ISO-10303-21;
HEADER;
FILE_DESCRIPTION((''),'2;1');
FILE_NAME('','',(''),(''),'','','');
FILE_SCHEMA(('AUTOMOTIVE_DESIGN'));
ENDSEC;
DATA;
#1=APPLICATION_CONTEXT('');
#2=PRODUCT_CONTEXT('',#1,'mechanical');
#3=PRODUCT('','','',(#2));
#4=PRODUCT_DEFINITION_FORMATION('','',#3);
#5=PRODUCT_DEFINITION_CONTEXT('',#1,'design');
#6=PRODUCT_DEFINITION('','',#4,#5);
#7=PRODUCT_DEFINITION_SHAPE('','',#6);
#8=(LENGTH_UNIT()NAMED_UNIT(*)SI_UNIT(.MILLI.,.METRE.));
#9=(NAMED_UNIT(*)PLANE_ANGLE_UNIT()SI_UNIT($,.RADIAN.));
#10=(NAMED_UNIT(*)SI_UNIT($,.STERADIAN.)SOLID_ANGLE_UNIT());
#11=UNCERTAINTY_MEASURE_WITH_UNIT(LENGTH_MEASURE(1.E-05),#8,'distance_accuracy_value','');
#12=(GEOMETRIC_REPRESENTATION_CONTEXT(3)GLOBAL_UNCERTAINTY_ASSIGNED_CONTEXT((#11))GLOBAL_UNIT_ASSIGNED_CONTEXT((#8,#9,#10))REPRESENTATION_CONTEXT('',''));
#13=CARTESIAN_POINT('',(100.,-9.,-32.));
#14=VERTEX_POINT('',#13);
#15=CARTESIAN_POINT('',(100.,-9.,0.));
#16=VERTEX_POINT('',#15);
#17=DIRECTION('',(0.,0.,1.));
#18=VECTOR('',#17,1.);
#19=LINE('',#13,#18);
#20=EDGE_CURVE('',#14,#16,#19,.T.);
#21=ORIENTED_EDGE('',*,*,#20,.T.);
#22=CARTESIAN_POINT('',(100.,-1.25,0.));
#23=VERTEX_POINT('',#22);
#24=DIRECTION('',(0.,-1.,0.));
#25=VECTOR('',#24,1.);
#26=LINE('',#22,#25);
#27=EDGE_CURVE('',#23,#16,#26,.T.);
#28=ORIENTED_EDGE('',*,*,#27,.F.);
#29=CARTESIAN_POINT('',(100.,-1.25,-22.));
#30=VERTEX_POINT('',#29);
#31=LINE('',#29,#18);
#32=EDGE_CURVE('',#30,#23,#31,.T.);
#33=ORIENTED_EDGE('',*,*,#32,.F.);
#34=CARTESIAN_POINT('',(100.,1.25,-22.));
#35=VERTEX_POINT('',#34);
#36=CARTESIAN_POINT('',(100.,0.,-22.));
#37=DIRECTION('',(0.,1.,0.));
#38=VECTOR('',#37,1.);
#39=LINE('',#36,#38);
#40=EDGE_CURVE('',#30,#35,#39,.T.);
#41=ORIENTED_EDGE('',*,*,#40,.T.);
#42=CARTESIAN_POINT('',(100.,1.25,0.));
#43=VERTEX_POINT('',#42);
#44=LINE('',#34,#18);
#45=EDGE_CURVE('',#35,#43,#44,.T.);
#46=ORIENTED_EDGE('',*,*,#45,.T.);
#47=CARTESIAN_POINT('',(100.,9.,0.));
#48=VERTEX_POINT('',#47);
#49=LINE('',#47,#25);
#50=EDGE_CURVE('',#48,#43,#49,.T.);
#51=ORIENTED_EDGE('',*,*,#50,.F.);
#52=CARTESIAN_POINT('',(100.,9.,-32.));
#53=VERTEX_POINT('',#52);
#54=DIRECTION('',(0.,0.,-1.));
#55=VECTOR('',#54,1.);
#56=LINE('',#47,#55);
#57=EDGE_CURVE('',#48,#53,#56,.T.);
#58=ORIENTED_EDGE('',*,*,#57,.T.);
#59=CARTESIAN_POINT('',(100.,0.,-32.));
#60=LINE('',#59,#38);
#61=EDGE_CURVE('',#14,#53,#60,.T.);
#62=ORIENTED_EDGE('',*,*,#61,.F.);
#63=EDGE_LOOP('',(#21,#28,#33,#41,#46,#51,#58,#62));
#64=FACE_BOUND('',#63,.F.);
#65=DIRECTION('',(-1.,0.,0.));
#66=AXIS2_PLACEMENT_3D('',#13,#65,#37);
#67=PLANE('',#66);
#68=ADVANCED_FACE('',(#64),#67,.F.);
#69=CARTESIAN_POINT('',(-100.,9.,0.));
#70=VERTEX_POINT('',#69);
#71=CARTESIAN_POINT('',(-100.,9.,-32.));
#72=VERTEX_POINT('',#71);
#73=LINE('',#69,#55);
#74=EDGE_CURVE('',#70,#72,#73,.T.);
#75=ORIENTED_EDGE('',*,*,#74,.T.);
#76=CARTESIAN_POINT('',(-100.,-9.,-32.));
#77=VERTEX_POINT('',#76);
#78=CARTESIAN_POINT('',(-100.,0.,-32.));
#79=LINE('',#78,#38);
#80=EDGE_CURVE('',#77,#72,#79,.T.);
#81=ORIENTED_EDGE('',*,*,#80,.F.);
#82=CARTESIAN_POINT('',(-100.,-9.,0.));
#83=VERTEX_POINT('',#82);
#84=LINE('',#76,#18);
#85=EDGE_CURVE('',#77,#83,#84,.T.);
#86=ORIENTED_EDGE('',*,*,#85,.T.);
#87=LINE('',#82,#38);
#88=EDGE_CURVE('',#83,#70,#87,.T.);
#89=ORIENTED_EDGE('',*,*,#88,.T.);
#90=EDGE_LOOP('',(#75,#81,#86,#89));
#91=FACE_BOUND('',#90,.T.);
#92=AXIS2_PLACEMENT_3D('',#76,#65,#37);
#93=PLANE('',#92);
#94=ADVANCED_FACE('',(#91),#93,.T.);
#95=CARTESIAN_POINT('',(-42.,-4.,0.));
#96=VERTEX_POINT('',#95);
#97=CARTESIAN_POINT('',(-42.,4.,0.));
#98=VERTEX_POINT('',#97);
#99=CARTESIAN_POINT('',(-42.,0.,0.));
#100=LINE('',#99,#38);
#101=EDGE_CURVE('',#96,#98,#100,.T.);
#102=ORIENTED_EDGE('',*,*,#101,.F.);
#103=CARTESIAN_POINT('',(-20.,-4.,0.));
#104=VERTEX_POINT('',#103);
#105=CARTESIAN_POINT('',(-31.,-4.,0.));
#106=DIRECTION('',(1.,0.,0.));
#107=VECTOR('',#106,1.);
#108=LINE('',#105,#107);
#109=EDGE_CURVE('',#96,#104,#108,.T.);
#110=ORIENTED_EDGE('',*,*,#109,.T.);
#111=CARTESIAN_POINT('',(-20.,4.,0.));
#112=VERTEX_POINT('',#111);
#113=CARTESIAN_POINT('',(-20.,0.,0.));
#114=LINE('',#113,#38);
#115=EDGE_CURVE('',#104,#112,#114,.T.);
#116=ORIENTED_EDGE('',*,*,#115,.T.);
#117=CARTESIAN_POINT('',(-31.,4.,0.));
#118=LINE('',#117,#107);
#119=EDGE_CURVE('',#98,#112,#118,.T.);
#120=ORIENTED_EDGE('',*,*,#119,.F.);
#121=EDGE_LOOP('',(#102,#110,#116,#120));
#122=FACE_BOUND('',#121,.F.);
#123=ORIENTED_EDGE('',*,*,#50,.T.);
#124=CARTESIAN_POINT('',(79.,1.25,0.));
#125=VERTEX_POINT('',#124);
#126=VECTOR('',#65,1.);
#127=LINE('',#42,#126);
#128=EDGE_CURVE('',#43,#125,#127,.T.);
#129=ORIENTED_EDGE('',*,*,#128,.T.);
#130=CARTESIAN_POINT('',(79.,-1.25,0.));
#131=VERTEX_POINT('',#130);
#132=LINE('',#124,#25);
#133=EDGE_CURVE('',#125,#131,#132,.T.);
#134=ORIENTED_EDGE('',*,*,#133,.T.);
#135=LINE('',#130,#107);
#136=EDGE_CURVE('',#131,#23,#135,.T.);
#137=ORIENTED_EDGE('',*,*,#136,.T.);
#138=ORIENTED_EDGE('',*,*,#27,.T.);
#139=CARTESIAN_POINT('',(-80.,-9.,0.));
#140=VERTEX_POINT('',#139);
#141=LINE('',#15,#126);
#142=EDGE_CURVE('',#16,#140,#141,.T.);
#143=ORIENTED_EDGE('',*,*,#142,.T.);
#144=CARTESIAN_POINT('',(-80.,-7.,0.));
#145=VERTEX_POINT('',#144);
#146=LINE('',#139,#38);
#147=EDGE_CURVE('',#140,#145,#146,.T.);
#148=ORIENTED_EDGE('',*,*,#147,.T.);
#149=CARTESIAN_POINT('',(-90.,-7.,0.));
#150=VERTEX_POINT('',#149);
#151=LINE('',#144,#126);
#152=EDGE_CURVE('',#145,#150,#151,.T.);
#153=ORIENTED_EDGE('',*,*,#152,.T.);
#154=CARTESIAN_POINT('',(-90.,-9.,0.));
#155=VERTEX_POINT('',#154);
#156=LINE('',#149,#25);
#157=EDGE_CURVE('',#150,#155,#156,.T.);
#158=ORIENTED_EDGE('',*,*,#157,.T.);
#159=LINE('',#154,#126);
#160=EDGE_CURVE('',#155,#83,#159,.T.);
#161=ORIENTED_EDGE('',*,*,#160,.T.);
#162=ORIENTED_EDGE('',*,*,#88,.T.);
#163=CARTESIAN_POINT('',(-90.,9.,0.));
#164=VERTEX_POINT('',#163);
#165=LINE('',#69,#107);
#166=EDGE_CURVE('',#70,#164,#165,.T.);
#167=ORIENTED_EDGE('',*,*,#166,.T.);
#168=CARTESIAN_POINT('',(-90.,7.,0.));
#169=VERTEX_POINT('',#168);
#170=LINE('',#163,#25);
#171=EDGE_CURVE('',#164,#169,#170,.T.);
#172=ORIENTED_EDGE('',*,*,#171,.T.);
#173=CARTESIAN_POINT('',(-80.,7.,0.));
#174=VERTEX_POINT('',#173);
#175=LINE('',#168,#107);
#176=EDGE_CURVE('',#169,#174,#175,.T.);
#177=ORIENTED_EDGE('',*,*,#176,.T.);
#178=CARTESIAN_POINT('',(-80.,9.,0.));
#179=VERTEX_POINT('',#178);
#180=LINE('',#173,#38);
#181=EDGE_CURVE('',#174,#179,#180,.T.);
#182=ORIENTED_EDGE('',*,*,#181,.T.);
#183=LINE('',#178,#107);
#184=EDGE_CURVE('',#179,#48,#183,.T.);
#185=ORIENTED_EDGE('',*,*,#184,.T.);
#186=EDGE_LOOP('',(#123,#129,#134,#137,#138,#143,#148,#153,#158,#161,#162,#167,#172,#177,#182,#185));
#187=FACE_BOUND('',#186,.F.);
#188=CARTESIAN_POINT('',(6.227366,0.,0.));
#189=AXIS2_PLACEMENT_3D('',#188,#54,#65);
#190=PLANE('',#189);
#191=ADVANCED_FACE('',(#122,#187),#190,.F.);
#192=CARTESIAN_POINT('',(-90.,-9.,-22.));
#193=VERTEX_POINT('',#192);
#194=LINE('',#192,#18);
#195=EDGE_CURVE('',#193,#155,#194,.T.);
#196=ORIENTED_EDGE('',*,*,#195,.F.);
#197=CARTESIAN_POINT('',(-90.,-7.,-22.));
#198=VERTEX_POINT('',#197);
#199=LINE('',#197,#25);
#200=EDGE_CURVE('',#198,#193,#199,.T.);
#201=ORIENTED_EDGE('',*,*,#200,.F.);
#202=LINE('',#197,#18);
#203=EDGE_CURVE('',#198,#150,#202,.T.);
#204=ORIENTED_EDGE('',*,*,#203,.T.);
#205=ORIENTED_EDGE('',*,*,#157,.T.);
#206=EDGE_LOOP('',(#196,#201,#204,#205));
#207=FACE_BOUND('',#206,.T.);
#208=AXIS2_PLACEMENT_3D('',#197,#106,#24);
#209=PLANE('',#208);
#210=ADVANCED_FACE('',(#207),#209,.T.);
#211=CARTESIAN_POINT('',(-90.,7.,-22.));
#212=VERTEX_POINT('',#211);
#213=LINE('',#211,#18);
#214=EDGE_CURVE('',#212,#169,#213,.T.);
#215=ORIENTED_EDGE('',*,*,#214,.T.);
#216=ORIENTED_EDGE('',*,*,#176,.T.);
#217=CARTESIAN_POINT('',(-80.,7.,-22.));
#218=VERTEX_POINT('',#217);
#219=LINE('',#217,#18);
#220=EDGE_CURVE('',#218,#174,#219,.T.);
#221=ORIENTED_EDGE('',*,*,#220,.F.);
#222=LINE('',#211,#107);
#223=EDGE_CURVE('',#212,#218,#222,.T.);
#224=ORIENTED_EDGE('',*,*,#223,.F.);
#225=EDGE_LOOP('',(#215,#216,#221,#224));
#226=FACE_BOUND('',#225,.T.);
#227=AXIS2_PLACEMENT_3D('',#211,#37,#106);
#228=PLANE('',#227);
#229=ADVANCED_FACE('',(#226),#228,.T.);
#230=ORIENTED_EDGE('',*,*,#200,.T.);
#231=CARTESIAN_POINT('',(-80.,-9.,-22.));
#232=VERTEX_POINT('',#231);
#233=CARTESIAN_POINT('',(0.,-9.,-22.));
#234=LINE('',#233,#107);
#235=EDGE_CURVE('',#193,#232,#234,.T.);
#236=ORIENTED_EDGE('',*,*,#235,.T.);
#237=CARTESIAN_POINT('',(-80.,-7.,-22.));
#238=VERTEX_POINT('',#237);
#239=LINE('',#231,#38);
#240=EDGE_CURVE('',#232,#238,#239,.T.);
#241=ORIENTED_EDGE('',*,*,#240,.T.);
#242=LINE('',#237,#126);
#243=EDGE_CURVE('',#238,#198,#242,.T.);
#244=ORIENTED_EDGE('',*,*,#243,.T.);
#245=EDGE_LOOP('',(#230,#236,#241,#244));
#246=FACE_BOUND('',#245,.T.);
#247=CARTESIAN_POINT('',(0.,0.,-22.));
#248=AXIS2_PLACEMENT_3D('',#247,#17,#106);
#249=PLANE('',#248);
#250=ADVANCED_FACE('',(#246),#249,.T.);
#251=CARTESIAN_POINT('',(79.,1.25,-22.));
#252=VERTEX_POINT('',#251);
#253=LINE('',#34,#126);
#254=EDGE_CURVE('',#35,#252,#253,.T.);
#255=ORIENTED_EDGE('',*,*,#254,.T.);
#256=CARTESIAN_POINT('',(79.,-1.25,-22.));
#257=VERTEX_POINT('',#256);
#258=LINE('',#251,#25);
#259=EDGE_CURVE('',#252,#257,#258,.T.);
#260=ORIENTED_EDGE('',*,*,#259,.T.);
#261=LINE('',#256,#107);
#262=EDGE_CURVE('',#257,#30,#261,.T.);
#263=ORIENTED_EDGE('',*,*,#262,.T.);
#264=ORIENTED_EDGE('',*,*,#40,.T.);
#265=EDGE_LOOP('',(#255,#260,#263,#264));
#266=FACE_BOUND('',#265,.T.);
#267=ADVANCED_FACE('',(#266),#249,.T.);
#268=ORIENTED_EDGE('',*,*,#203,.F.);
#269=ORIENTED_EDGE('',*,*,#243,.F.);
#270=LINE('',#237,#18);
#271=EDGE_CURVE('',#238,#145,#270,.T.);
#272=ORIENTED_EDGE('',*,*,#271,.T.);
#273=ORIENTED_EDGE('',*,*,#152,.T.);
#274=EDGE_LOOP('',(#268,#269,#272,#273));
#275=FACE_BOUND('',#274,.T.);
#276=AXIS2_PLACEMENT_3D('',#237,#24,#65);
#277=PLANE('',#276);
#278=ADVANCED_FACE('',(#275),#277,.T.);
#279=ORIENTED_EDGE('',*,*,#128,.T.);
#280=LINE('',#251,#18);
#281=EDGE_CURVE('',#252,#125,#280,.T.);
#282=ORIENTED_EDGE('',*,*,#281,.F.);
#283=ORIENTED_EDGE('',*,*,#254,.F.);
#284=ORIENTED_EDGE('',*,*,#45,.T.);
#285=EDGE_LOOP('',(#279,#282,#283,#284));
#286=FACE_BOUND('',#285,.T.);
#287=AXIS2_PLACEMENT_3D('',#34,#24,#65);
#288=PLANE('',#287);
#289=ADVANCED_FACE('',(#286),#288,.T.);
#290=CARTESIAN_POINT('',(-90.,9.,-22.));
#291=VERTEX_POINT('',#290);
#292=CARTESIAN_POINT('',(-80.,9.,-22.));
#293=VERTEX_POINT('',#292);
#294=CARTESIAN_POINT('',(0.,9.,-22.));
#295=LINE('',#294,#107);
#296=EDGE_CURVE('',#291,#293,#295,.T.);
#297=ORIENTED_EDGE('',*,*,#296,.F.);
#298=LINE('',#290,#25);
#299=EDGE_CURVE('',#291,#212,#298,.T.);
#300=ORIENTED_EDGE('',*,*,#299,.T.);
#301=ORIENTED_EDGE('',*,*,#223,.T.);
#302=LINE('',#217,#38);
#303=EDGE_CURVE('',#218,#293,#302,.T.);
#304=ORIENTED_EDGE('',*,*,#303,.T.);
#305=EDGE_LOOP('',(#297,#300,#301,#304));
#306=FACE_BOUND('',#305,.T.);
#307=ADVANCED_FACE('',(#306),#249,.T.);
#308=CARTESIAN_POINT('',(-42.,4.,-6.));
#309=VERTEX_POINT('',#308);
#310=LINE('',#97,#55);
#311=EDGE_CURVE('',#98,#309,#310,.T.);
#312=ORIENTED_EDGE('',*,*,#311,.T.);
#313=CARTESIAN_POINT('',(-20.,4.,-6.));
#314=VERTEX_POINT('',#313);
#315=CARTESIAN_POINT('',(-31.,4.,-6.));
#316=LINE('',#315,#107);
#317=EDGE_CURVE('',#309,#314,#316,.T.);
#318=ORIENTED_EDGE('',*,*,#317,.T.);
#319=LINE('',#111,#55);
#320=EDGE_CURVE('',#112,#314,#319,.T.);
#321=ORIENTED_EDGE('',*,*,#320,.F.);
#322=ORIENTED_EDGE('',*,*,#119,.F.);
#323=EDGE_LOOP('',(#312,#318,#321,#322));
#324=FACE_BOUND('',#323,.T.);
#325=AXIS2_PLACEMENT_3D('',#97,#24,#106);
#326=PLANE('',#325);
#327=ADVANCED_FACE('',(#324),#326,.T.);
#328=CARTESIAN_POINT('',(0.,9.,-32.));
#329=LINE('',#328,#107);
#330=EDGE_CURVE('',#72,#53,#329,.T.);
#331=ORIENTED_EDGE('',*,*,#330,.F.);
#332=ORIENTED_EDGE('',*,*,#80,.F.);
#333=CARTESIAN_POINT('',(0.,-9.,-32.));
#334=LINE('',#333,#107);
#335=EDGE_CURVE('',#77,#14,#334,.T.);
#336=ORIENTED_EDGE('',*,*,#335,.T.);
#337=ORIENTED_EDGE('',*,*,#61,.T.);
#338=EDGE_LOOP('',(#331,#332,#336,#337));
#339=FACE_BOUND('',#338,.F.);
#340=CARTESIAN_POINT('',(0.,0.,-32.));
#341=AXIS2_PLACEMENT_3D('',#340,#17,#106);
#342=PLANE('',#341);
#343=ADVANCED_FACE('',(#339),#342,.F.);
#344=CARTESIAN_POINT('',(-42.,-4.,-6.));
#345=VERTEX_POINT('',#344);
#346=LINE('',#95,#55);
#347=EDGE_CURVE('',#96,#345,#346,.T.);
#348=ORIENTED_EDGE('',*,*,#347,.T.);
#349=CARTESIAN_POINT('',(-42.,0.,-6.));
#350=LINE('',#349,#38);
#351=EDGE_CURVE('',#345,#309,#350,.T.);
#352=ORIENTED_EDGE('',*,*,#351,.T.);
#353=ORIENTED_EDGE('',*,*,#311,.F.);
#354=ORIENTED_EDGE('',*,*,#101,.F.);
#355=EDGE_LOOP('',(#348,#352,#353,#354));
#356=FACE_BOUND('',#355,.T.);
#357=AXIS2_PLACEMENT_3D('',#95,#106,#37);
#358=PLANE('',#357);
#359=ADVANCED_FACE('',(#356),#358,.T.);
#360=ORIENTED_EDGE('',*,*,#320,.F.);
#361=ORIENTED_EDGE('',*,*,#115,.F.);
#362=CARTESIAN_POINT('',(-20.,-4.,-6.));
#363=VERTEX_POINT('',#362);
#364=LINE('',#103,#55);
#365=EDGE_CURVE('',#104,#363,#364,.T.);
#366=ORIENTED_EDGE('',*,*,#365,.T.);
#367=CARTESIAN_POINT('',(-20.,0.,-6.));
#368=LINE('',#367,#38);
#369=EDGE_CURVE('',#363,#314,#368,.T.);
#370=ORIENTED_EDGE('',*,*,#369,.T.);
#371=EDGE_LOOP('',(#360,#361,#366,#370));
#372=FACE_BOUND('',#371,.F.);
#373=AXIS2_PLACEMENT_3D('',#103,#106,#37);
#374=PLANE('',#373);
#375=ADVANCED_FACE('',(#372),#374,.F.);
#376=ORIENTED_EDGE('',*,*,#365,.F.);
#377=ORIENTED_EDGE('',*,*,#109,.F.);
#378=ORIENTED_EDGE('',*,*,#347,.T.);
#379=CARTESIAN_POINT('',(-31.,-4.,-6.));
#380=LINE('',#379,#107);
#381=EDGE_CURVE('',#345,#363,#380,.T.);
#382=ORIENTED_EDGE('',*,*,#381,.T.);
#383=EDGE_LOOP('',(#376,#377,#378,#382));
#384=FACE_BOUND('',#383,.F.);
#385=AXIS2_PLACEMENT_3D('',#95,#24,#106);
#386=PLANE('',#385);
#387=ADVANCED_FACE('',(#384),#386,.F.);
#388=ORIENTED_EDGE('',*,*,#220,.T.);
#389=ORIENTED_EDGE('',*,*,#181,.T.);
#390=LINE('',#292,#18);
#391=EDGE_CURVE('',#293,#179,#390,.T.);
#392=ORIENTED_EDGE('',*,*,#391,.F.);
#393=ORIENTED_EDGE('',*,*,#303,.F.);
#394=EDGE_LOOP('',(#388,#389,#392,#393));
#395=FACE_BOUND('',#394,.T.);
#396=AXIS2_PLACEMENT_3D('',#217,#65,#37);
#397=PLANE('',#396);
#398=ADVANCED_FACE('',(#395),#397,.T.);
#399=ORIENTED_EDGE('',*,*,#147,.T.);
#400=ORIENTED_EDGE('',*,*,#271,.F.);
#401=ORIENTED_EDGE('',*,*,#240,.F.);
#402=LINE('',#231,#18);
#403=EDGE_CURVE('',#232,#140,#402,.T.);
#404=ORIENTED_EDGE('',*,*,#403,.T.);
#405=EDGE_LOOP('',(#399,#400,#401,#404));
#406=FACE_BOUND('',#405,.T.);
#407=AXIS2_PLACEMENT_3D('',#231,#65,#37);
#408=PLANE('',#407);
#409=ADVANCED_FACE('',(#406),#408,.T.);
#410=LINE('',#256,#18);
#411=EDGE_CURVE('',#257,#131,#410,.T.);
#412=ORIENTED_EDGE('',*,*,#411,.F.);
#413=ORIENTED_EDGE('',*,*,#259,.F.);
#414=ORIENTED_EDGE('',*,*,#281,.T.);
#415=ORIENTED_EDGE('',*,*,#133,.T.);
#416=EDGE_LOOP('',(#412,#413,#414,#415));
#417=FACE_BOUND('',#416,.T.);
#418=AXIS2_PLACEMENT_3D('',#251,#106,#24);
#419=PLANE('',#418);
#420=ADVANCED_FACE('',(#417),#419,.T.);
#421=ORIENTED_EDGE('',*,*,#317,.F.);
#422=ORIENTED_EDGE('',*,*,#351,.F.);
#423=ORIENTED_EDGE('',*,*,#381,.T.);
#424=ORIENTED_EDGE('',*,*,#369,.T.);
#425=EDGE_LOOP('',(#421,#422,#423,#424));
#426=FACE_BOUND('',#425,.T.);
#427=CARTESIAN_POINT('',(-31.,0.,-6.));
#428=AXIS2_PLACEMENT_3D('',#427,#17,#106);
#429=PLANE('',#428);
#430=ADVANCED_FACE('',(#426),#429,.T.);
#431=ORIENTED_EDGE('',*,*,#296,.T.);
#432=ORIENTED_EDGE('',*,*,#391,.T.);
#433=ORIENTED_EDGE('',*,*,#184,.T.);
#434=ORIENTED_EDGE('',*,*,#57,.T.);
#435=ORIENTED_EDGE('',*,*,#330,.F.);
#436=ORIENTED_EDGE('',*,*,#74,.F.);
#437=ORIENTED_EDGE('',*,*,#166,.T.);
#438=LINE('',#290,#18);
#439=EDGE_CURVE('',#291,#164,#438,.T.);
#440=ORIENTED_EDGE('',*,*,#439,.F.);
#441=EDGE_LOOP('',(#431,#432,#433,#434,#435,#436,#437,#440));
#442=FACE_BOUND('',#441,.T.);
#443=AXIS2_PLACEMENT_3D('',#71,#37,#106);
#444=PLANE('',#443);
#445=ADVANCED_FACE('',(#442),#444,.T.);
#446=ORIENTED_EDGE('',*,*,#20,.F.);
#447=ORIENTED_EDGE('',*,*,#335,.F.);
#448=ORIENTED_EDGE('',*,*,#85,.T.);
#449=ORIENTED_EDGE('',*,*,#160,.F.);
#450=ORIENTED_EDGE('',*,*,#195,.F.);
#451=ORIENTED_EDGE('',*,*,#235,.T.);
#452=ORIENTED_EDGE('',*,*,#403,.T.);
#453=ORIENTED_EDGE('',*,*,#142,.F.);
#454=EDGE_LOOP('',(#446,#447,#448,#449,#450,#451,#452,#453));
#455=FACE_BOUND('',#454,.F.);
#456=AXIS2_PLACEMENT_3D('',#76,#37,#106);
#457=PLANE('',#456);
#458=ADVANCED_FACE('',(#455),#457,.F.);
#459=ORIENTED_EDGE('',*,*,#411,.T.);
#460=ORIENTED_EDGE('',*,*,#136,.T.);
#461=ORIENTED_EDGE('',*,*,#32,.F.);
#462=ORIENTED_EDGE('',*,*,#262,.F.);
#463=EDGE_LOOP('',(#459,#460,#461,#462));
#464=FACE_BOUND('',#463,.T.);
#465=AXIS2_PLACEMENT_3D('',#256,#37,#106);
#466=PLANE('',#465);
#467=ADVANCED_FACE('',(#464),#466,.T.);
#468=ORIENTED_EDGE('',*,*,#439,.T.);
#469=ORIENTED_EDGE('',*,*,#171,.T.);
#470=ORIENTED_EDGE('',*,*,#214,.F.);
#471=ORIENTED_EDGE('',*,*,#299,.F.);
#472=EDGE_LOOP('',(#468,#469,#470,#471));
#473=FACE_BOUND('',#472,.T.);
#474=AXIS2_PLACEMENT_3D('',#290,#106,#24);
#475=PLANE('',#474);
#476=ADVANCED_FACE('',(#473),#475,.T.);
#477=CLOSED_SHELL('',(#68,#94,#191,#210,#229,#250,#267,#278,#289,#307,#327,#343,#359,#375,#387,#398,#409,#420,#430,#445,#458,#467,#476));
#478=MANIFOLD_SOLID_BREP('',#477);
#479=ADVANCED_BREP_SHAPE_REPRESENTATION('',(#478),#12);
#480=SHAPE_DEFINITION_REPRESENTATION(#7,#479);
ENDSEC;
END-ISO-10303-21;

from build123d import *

# Parameters (mm, degrees)
SKETCH002_W  = 200
SKETCH002_H  = 18
PAD001_DEPTH = 10
PAD_DEPTH    = 22
SKETCH001_W  = 22
SKETCH001_H  = 8
POCKET_DEPTH = 6


with BuildPart() as base:
    # Sketch002 → Pad001 (new body)
    with BuildSketch(Plane.XY):
        Rectangle(SKETCH002_W, SKETCH002_H)
    extrude(amount=PAD001_DEPTH)


with BuildPart() as base_1:
    # Body001 placement: moved
    add(base.part.moved(Location((0, 0, -32))))


with BuildPart() as model_fusion:
    # Sketch → Pad (new body)
    with BuildSketch(Plane.XY):
        Polygon((-100, 9), (-90, 9), (-90, 7), (-80, 7), (-80, 9), (100, 9), (100, 1.25), (79, 1.25), (79, -1.25), (100, -1.25), (100, -9), (-80, -9), (-80, -7), (-90, -7), (-90, -9), (-100, -9), align=None)
    extrude(amount=PAD_DEPTH)

    # Sketch001 (on Face18 of Pad) → Pocket (cut)
    with BuildSketch(Plane.XY.offset(22)):
        with Locations((-31, 0)):
            Rectangle(SKETCH001_W, SKETCH001_H)
    extrude(amount=-POCKET_DEPTH, mode=Mode.SUBTRACT)


with BuildPart() as model_fusion_1:
    # Body placement: moved
    add(model_fusion.part.moved(Location((0, 0, -22))))

    # Fusion: union Base
    add(base_1.part)


solid = model_fusion_1.part
